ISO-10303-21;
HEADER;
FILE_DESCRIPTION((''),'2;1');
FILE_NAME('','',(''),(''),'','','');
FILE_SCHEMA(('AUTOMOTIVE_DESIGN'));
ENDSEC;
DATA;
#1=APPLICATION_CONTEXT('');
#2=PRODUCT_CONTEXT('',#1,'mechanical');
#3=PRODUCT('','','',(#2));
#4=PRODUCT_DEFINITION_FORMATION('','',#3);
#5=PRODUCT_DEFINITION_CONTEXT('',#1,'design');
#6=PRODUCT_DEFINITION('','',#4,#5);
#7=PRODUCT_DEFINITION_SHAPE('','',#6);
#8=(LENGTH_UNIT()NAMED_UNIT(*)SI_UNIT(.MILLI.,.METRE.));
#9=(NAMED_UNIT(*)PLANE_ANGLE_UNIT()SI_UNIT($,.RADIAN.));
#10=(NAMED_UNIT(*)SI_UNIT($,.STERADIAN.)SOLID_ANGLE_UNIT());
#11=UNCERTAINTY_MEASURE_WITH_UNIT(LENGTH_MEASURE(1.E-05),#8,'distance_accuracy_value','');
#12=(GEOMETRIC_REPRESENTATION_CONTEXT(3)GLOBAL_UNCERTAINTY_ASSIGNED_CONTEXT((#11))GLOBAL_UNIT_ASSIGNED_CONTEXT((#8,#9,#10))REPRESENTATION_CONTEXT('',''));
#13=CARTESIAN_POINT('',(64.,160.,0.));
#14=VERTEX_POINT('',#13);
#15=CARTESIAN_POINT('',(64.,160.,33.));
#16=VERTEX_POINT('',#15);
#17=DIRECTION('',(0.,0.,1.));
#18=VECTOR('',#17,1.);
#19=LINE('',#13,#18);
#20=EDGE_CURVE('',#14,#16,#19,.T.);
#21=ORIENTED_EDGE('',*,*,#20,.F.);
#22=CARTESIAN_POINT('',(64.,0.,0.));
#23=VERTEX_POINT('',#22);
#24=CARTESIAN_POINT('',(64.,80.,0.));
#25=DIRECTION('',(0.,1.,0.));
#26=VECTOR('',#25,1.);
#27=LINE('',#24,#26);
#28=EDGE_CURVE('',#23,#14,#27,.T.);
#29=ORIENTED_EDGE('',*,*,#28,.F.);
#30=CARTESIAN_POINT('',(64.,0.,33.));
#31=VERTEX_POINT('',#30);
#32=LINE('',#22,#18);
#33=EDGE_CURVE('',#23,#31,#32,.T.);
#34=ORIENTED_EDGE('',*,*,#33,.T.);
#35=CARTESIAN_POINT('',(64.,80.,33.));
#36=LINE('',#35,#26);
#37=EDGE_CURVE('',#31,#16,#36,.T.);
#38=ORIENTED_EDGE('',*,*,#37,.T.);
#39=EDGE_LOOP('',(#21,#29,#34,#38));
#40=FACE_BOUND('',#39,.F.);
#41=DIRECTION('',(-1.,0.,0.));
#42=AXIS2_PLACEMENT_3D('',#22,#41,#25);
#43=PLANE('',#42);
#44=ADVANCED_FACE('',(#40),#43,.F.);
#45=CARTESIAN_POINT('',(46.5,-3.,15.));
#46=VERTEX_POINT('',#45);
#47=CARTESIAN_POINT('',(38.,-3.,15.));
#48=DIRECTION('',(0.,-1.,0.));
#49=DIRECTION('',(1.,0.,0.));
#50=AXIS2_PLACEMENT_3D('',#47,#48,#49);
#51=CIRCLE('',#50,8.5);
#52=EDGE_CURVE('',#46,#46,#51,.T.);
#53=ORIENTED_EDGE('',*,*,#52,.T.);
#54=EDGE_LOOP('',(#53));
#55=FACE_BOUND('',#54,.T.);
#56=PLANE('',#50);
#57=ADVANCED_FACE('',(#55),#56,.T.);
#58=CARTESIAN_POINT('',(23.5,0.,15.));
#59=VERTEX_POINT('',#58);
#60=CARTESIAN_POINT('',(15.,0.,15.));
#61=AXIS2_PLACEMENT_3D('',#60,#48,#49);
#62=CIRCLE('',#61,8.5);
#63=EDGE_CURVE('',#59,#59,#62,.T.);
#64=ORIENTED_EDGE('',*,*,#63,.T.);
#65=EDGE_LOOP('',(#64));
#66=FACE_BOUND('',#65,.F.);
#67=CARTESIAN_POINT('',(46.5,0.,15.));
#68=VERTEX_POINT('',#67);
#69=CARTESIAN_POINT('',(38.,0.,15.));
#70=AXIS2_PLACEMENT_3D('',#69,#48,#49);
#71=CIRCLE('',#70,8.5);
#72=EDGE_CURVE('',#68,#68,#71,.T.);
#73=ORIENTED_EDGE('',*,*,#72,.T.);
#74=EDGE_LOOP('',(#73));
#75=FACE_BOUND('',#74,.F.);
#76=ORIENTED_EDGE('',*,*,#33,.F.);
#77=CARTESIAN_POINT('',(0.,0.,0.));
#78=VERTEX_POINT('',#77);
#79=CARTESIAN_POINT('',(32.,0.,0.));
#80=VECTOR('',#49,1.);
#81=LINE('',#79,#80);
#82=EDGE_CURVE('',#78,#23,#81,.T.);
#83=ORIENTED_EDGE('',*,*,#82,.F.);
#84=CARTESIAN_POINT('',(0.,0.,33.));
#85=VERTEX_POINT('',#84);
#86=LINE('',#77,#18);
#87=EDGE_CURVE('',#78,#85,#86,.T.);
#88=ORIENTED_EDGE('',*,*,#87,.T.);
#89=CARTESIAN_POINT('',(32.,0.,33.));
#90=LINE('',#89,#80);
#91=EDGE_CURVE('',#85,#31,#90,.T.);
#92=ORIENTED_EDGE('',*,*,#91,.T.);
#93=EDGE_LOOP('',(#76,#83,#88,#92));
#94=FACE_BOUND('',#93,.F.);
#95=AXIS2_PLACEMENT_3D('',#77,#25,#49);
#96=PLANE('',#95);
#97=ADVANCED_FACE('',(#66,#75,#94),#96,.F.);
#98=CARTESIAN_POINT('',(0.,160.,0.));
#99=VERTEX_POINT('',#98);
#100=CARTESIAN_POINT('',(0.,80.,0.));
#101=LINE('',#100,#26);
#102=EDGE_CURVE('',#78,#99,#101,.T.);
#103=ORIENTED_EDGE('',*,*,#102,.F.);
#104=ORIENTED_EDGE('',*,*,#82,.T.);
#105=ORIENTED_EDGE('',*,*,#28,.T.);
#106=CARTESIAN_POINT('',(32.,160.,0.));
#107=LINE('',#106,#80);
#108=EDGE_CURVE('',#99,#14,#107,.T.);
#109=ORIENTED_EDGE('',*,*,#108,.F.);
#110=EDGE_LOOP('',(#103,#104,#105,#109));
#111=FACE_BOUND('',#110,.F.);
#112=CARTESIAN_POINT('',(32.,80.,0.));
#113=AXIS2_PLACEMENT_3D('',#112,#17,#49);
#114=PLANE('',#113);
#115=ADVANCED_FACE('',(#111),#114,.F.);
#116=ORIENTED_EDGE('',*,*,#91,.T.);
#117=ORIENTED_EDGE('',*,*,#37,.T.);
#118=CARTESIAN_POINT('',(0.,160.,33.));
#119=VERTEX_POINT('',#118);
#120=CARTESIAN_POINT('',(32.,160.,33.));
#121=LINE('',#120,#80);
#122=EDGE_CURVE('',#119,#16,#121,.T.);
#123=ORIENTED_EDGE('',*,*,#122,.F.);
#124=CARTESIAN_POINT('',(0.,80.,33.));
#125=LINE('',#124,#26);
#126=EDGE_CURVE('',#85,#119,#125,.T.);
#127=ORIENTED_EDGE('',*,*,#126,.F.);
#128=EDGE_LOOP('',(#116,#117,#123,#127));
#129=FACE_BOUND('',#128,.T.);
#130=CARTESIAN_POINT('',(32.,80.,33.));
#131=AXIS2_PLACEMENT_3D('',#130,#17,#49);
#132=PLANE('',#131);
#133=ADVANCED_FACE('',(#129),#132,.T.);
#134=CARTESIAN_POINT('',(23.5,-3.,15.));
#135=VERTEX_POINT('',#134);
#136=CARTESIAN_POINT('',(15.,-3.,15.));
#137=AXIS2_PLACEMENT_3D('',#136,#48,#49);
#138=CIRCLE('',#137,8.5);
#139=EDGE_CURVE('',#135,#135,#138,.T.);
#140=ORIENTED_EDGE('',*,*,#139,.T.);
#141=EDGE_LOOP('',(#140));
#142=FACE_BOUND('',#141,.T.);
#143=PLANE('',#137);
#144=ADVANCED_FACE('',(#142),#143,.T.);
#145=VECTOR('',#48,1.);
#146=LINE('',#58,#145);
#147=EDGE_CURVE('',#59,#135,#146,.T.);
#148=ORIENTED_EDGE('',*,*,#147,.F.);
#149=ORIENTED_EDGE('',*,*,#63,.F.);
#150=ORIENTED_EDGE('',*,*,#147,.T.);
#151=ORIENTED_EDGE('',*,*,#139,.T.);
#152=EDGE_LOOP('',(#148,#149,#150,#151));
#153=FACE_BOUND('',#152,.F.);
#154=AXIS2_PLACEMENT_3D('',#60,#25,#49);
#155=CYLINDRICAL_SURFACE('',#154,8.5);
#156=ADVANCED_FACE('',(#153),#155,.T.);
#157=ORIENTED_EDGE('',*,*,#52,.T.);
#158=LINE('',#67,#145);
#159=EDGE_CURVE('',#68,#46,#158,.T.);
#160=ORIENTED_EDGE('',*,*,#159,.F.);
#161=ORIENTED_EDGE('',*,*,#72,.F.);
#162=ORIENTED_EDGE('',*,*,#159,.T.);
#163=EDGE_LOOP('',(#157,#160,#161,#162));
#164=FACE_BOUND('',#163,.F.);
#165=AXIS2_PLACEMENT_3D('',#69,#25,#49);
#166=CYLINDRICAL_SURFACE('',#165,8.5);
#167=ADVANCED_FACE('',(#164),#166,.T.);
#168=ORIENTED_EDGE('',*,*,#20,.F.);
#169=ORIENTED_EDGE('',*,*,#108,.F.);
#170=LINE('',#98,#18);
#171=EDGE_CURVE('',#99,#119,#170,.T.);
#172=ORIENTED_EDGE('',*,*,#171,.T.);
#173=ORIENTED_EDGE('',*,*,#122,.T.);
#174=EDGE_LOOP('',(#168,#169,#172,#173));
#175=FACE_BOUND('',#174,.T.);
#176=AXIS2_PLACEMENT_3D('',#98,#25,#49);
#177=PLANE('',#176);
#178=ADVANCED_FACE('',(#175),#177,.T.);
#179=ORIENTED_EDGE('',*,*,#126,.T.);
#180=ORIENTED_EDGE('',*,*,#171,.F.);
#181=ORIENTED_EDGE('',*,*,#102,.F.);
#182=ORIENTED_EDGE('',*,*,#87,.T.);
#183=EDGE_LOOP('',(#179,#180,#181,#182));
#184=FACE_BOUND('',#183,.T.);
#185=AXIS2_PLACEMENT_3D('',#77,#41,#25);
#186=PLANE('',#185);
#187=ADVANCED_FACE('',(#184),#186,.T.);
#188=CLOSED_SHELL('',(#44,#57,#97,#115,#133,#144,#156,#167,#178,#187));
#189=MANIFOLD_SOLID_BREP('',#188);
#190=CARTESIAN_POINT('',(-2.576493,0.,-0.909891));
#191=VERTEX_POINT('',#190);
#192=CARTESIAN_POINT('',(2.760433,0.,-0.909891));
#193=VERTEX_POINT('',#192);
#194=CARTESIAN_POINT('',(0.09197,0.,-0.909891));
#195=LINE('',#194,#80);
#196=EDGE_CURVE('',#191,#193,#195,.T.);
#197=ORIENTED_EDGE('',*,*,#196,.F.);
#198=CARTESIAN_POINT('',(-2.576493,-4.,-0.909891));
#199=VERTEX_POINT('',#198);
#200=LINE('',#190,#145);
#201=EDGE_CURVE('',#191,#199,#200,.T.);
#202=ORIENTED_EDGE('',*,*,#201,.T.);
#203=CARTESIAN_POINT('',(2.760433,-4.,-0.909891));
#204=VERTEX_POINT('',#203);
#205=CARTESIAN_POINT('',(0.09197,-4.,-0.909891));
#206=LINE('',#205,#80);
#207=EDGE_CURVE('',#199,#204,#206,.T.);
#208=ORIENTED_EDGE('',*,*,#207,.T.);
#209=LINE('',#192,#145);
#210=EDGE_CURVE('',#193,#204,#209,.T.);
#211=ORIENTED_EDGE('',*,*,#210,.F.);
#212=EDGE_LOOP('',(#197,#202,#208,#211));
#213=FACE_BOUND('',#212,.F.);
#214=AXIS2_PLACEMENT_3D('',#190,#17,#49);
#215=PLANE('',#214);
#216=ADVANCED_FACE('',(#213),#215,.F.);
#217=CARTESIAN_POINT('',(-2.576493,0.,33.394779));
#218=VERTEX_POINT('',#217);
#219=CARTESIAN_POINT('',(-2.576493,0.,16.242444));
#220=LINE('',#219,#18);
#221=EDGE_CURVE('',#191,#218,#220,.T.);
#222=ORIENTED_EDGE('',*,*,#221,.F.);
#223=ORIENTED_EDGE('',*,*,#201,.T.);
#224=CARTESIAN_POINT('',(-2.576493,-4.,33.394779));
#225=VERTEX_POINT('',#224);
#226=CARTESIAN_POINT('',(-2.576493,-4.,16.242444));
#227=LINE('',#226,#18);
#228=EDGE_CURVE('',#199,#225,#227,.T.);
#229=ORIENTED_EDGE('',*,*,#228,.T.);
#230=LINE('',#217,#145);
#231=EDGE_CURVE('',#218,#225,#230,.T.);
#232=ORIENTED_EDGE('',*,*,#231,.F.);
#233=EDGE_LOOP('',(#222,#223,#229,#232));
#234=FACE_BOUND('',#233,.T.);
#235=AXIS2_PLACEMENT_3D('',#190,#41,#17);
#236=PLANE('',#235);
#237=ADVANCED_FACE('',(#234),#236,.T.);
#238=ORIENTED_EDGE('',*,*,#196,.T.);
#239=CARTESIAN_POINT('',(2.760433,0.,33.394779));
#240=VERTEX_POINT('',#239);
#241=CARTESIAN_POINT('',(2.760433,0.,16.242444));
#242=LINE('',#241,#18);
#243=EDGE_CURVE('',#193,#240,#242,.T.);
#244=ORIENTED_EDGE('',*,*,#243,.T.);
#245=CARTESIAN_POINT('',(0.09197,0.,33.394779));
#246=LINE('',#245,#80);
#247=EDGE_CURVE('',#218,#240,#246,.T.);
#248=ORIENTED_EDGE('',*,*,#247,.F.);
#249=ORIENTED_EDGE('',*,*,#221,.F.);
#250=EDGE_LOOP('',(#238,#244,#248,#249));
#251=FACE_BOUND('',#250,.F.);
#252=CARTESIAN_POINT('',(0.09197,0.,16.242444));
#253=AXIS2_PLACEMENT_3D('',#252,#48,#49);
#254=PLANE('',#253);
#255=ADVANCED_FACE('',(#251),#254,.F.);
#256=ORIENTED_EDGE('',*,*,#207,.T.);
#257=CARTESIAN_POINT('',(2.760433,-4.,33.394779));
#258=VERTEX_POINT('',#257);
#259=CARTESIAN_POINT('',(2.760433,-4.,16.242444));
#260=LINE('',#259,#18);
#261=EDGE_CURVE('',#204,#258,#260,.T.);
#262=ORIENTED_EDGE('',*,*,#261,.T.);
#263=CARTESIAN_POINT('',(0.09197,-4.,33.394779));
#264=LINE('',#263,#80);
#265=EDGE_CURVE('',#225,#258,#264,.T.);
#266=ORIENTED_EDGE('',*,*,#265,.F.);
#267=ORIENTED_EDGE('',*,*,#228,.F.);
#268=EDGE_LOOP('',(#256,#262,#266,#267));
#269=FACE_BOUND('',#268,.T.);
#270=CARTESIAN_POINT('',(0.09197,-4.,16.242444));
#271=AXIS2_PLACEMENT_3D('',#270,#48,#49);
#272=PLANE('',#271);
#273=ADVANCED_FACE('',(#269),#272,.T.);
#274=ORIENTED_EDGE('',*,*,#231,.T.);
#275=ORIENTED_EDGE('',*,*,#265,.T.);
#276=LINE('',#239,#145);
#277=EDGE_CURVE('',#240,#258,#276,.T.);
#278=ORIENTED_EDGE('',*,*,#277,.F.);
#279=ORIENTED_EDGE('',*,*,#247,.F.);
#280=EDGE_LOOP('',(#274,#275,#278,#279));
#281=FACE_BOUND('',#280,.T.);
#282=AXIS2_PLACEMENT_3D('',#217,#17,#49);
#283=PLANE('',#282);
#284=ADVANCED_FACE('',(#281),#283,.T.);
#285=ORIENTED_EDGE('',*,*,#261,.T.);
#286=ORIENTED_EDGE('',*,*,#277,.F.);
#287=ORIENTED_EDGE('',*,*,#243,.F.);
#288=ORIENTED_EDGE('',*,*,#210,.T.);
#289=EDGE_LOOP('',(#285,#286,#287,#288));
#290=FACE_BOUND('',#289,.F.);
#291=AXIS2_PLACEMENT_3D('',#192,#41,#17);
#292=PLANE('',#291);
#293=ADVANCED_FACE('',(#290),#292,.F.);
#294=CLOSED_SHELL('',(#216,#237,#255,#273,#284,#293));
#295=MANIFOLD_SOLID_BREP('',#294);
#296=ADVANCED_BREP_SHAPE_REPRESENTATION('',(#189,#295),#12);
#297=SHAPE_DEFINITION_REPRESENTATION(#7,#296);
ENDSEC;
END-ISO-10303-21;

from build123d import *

# Parameters (mm, degrees)
SKETCH001_W   = 64
SKETCH001_H   = 160
PAD_DEPTH     = 33
SKETCH_R      = 8.5
PAD001_DEPTH  = 3
SKETCH002_W   = 5.336926
SKETCH002_H   = 34.30467
EXTRUDE_DEPTH = 4


with BuildPart() as pad001:
    # Sketch001 → Pad (new body)
    with BuildSketch(Plane.XY):
        with Locations((32, 80)):
            Rectangle(SKETCH001_W, SKETCH001_H)
    extrude(amount=PAD_DEPTH)

    # Sketch (on Face3 of Pad) → Pad001 (new body)
    with BuildSketch(Plane.XZ):
        with Locations((15, 15)):
            Circle(SKETCH_R)
        with Locations((38, 15)):
            Circle(SKETCH_R)
    extrude(amount=PAD001_DEPTH)


with BuildPart() as extrude_body:
    # Sketch002 → Extrude (new body)
    with BuildSketch(Plane.XZ):
        with Locations((0.09197, 16.242444)):
            Rectangle(SKETCH002_W, SKETCH002_H)
    extrude(amount=EXTRUDE_DEPTH)


solid = Compound([pad001.part, extrude_body.part])
